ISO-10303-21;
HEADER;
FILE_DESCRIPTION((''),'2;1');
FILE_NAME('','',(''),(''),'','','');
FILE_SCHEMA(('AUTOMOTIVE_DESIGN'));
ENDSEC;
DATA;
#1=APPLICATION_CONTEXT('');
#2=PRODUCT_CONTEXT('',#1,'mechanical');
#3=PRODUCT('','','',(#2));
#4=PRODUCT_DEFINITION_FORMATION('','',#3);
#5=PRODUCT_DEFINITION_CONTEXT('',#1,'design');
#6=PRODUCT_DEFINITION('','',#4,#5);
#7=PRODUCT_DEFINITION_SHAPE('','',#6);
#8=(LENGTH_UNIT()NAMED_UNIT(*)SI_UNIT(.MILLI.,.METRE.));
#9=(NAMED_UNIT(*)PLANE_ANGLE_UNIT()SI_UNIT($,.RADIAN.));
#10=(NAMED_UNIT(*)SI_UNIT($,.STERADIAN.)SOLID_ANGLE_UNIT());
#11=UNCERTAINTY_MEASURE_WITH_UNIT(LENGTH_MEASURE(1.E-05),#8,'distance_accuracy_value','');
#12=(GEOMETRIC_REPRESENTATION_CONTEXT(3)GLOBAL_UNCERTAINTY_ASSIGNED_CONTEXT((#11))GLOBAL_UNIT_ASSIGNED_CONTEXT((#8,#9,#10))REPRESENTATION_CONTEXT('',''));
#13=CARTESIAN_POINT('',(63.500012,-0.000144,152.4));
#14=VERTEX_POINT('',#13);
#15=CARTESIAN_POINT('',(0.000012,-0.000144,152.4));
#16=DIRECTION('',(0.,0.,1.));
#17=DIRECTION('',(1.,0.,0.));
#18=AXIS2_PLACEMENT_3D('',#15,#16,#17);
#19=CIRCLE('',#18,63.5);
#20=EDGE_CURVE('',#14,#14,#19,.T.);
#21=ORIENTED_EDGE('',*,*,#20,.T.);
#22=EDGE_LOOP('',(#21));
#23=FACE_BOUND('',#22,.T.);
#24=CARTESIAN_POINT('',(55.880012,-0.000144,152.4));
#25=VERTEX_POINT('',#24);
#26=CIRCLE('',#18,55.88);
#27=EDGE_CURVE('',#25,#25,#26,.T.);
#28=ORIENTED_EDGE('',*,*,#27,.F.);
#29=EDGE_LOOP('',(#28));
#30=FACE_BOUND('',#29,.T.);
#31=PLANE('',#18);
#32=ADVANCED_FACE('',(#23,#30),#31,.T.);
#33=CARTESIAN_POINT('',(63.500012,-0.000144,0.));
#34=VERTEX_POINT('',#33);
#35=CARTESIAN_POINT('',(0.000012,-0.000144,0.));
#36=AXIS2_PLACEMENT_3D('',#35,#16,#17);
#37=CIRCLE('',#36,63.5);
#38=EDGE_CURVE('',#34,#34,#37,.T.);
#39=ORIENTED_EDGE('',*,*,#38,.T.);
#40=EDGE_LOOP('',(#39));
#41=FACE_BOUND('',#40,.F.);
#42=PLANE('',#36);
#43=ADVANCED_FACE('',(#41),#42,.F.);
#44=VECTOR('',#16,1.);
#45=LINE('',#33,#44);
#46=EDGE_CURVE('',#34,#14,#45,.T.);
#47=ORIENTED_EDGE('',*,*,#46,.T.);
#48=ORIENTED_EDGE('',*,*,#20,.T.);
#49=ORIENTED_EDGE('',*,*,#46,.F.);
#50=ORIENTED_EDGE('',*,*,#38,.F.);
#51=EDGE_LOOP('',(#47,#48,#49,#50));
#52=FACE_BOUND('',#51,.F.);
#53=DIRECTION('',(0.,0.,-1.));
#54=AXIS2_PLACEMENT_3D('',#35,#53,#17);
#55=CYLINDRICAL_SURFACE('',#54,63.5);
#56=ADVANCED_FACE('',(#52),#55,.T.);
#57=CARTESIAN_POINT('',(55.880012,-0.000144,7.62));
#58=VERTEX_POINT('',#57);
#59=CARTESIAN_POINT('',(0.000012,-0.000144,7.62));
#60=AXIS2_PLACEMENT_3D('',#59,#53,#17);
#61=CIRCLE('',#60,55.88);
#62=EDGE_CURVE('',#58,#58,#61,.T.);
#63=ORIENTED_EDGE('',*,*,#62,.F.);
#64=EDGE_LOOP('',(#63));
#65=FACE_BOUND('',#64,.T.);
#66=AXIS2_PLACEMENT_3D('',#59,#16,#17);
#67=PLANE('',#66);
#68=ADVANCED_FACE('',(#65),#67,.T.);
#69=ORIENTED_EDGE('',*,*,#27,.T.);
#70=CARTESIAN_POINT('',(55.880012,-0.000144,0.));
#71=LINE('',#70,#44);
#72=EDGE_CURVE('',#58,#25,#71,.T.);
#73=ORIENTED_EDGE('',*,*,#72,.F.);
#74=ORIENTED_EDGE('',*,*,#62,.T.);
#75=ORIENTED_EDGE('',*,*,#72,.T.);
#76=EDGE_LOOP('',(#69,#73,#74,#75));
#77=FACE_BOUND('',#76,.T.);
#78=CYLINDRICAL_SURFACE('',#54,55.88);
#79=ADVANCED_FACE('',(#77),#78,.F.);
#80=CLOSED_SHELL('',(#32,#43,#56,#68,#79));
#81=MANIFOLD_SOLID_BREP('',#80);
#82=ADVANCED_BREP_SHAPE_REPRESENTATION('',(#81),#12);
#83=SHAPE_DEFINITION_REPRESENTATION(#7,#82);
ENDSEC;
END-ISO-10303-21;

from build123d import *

# Parameters (mm, degrees)
F0_R     = 63.5
F1_DEPTH = 152.4
F3_T     = -7.62


with BuildPart() as f1:
    # F0 (on Top) → F1 (new body)
    with BuildSketch(Plane.XY):
        with Locations((-8.565548, 9.538906)):
            Circle(F0_R)
    extrude(amount=F1_DEPTH)


with BuildPart() as f1_1:
    # F2: moved
    add(f1.part.moved(Location((8.56556, -9.53905, 0))))

    # F3
    f3_openings = [f1_1.faces().sort_by_distance(p)[0] for p in [
        (1.2e-05, -0.000144, 152.4),
    ]]
    offset(amount=F3_T, openings=f3_openings)


solid = f1_1.part
